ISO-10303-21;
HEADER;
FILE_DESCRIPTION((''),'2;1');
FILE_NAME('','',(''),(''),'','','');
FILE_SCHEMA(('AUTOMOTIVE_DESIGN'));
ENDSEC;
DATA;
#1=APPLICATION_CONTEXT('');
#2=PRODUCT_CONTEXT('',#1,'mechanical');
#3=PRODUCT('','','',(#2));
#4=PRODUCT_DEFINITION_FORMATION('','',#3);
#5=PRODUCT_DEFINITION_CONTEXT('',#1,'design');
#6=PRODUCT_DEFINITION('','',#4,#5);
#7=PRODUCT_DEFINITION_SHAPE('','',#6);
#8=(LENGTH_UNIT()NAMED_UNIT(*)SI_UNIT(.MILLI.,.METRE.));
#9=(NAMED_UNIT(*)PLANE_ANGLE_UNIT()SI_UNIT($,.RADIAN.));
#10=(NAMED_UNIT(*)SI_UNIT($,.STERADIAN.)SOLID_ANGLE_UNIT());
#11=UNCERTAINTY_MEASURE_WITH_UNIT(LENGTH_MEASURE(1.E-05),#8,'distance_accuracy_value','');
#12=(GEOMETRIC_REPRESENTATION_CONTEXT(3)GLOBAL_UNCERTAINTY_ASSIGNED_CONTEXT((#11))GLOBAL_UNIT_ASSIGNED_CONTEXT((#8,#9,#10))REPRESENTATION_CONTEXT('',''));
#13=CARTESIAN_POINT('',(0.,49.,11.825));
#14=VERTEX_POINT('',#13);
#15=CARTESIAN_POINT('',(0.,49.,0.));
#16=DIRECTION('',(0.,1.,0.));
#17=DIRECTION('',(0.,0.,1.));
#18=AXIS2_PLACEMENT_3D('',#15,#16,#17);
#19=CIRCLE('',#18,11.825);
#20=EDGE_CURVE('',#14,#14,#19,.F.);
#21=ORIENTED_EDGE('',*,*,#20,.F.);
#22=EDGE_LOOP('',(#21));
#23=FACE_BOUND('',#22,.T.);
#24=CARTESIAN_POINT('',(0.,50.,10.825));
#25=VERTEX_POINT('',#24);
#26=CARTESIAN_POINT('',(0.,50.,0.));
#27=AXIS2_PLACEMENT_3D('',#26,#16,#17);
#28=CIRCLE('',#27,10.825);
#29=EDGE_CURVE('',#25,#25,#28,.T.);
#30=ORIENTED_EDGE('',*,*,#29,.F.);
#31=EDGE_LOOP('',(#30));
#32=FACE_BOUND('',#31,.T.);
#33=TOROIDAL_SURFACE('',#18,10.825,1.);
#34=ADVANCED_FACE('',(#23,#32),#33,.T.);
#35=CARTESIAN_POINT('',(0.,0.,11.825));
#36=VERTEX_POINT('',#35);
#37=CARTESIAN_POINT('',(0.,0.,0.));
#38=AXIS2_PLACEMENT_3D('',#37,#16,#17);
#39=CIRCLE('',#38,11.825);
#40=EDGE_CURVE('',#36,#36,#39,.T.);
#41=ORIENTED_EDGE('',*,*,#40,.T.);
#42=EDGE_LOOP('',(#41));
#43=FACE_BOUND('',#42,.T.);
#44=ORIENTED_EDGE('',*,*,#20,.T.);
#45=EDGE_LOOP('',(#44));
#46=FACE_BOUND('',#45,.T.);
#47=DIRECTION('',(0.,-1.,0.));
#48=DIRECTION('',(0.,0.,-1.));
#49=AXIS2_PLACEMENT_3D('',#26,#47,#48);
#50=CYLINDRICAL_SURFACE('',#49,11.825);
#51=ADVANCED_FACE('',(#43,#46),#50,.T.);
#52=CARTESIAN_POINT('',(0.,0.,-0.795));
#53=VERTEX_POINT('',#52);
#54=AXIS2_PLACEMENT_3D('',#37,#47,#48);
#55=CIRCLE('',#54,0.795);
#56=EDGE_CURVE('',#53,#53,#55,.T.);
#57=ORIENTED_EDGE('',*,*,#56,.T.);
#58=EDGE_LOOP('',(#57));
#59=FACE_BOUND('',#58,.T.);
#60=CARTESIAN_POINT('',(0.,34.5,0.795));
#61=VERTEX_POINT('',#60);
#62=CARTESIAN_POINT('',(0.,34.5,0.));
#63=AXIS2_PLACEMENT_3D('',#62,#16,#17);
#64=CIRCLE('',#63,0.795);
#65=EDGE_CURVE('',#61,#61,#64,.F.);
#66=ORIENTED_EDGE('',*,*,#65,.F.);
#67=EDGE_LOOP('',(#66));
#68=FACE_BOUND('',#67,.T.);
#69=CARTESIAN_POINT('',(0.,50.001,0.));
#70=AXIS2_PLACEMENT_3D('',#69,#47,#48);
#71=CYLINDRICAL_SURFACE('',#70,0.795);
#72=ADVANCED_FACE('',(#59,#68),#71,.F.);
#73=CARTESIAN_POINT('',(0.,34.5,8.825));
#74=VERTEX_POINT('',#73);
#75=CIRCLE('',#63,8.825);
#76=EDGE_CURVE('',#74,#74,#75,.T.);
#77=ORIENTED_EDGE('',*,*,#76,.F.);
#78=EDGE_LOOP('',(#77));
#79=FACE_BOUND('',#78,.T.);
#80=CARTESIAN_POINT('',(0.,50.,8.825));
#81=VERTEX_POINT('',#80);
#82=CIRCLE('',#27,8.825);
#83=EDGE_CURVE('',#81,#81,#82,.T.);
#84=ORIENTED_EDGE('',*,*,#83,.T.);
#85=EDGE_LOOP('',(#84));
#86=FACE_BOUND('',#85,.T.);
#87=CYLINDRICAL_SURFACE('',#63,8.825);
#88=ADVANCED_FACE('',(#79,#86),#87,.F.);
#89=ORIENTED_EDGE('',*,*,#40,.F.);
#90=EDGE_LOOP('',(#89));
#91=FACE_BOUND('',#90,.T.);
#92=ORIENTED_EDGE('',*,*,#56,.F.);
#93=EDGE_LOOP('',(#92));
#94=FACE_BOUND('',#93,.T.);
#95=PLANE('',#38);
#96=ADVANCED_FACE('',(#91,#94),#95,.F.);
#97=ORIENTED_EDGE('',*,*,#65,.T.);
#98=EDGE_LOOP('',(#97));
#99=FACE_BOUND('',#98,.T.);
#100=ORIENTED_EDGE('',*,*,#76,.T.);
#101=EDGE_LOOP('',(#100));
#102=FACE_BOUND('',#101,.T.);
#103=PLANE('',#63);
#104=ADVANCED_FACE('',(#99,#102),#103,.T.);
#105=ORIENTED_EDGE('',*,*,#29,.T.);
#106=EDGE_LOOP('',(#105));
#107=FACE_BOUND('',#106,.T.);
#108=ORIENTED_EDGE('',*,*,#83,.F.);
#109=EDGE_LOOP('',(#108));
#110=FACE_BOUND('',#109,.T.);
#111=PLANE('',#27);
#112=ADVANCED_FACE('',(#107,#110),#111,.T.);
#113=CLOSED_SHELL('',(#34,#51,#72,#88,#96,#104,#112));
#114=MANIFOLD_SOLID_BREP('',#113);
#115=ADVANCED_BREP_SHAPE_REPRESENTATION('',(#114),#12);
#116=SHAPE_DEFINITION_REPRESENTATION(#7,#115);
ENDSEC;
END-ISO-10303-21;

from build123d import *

# Parameters (mm, degrees)
SKETCH1_R            = 11.825
MAIN_STRUCTURE_DEPTH = 50
SKETCH2_R            = 8.825
HOLE_DEPTH           = 15.5
STRUCTURE_FILLET_R   = 1
CUT_EXTRUDE1_REACH   = 54.722
SKETCH3_R            = 0.795


with BuildPart() as part:
    # Sketch1 → Main Structure (new body)
    with BuildSketch(Plane(origin=(0, 0, 0), x_dir=(1, 0, 0), z_dir=(0, 1, 0))):
        with Locations(Location((0, 0, 0), (0, 0, 270))):
            Circle(SKETCH1_R)
    extrude(amount=MAIN_STRUCTURE_DEPTH)

    # Sketch2 → Hole (cut)
    with BuildSketch(Plane(origin=(0, 50, 0), x_dir=(1, 0, 0), z_dir=(0, 1, 0))):
        with Locations(Location((0, 0, 0), (0, 0, 270))):
            Circle(SKETCH2_R)
    extrude(amount=-HOLE_DEPTH, mode=Mode.SUBTRACT)

    # Structure Fillet
    structure_fillet_edges = [part.edges().sort_by_distance(p)[0] for p in [
        (0, 50, -11.825),
    ]]
    fillet(structure_fillet_edges, radius=STRUCTURE_FILLET_R)

    # Sketch3 → Cut-Extrude1 (cut, up to next)
    with BuildSketch(Plane.XZ, mode=Mode.PRIVATE) as cut_extrude1_sk1:
        with Locations(Location((0, 0, 0), (0, 0, 270))):
            Circle(SKETCH3_R)
    cut_extrude1_tool1 = extrude(cut_extrude1_sk1.sketch, amount=-CUT_EXTRUDE1_REACH, mode=Mode.PRIVATE) & part.part
    add(cut_extrude1_tool1.solids().sort_by_distance((0, 0, 0))[0], mode=Mode.SUBTRACT)


solid = part.part
